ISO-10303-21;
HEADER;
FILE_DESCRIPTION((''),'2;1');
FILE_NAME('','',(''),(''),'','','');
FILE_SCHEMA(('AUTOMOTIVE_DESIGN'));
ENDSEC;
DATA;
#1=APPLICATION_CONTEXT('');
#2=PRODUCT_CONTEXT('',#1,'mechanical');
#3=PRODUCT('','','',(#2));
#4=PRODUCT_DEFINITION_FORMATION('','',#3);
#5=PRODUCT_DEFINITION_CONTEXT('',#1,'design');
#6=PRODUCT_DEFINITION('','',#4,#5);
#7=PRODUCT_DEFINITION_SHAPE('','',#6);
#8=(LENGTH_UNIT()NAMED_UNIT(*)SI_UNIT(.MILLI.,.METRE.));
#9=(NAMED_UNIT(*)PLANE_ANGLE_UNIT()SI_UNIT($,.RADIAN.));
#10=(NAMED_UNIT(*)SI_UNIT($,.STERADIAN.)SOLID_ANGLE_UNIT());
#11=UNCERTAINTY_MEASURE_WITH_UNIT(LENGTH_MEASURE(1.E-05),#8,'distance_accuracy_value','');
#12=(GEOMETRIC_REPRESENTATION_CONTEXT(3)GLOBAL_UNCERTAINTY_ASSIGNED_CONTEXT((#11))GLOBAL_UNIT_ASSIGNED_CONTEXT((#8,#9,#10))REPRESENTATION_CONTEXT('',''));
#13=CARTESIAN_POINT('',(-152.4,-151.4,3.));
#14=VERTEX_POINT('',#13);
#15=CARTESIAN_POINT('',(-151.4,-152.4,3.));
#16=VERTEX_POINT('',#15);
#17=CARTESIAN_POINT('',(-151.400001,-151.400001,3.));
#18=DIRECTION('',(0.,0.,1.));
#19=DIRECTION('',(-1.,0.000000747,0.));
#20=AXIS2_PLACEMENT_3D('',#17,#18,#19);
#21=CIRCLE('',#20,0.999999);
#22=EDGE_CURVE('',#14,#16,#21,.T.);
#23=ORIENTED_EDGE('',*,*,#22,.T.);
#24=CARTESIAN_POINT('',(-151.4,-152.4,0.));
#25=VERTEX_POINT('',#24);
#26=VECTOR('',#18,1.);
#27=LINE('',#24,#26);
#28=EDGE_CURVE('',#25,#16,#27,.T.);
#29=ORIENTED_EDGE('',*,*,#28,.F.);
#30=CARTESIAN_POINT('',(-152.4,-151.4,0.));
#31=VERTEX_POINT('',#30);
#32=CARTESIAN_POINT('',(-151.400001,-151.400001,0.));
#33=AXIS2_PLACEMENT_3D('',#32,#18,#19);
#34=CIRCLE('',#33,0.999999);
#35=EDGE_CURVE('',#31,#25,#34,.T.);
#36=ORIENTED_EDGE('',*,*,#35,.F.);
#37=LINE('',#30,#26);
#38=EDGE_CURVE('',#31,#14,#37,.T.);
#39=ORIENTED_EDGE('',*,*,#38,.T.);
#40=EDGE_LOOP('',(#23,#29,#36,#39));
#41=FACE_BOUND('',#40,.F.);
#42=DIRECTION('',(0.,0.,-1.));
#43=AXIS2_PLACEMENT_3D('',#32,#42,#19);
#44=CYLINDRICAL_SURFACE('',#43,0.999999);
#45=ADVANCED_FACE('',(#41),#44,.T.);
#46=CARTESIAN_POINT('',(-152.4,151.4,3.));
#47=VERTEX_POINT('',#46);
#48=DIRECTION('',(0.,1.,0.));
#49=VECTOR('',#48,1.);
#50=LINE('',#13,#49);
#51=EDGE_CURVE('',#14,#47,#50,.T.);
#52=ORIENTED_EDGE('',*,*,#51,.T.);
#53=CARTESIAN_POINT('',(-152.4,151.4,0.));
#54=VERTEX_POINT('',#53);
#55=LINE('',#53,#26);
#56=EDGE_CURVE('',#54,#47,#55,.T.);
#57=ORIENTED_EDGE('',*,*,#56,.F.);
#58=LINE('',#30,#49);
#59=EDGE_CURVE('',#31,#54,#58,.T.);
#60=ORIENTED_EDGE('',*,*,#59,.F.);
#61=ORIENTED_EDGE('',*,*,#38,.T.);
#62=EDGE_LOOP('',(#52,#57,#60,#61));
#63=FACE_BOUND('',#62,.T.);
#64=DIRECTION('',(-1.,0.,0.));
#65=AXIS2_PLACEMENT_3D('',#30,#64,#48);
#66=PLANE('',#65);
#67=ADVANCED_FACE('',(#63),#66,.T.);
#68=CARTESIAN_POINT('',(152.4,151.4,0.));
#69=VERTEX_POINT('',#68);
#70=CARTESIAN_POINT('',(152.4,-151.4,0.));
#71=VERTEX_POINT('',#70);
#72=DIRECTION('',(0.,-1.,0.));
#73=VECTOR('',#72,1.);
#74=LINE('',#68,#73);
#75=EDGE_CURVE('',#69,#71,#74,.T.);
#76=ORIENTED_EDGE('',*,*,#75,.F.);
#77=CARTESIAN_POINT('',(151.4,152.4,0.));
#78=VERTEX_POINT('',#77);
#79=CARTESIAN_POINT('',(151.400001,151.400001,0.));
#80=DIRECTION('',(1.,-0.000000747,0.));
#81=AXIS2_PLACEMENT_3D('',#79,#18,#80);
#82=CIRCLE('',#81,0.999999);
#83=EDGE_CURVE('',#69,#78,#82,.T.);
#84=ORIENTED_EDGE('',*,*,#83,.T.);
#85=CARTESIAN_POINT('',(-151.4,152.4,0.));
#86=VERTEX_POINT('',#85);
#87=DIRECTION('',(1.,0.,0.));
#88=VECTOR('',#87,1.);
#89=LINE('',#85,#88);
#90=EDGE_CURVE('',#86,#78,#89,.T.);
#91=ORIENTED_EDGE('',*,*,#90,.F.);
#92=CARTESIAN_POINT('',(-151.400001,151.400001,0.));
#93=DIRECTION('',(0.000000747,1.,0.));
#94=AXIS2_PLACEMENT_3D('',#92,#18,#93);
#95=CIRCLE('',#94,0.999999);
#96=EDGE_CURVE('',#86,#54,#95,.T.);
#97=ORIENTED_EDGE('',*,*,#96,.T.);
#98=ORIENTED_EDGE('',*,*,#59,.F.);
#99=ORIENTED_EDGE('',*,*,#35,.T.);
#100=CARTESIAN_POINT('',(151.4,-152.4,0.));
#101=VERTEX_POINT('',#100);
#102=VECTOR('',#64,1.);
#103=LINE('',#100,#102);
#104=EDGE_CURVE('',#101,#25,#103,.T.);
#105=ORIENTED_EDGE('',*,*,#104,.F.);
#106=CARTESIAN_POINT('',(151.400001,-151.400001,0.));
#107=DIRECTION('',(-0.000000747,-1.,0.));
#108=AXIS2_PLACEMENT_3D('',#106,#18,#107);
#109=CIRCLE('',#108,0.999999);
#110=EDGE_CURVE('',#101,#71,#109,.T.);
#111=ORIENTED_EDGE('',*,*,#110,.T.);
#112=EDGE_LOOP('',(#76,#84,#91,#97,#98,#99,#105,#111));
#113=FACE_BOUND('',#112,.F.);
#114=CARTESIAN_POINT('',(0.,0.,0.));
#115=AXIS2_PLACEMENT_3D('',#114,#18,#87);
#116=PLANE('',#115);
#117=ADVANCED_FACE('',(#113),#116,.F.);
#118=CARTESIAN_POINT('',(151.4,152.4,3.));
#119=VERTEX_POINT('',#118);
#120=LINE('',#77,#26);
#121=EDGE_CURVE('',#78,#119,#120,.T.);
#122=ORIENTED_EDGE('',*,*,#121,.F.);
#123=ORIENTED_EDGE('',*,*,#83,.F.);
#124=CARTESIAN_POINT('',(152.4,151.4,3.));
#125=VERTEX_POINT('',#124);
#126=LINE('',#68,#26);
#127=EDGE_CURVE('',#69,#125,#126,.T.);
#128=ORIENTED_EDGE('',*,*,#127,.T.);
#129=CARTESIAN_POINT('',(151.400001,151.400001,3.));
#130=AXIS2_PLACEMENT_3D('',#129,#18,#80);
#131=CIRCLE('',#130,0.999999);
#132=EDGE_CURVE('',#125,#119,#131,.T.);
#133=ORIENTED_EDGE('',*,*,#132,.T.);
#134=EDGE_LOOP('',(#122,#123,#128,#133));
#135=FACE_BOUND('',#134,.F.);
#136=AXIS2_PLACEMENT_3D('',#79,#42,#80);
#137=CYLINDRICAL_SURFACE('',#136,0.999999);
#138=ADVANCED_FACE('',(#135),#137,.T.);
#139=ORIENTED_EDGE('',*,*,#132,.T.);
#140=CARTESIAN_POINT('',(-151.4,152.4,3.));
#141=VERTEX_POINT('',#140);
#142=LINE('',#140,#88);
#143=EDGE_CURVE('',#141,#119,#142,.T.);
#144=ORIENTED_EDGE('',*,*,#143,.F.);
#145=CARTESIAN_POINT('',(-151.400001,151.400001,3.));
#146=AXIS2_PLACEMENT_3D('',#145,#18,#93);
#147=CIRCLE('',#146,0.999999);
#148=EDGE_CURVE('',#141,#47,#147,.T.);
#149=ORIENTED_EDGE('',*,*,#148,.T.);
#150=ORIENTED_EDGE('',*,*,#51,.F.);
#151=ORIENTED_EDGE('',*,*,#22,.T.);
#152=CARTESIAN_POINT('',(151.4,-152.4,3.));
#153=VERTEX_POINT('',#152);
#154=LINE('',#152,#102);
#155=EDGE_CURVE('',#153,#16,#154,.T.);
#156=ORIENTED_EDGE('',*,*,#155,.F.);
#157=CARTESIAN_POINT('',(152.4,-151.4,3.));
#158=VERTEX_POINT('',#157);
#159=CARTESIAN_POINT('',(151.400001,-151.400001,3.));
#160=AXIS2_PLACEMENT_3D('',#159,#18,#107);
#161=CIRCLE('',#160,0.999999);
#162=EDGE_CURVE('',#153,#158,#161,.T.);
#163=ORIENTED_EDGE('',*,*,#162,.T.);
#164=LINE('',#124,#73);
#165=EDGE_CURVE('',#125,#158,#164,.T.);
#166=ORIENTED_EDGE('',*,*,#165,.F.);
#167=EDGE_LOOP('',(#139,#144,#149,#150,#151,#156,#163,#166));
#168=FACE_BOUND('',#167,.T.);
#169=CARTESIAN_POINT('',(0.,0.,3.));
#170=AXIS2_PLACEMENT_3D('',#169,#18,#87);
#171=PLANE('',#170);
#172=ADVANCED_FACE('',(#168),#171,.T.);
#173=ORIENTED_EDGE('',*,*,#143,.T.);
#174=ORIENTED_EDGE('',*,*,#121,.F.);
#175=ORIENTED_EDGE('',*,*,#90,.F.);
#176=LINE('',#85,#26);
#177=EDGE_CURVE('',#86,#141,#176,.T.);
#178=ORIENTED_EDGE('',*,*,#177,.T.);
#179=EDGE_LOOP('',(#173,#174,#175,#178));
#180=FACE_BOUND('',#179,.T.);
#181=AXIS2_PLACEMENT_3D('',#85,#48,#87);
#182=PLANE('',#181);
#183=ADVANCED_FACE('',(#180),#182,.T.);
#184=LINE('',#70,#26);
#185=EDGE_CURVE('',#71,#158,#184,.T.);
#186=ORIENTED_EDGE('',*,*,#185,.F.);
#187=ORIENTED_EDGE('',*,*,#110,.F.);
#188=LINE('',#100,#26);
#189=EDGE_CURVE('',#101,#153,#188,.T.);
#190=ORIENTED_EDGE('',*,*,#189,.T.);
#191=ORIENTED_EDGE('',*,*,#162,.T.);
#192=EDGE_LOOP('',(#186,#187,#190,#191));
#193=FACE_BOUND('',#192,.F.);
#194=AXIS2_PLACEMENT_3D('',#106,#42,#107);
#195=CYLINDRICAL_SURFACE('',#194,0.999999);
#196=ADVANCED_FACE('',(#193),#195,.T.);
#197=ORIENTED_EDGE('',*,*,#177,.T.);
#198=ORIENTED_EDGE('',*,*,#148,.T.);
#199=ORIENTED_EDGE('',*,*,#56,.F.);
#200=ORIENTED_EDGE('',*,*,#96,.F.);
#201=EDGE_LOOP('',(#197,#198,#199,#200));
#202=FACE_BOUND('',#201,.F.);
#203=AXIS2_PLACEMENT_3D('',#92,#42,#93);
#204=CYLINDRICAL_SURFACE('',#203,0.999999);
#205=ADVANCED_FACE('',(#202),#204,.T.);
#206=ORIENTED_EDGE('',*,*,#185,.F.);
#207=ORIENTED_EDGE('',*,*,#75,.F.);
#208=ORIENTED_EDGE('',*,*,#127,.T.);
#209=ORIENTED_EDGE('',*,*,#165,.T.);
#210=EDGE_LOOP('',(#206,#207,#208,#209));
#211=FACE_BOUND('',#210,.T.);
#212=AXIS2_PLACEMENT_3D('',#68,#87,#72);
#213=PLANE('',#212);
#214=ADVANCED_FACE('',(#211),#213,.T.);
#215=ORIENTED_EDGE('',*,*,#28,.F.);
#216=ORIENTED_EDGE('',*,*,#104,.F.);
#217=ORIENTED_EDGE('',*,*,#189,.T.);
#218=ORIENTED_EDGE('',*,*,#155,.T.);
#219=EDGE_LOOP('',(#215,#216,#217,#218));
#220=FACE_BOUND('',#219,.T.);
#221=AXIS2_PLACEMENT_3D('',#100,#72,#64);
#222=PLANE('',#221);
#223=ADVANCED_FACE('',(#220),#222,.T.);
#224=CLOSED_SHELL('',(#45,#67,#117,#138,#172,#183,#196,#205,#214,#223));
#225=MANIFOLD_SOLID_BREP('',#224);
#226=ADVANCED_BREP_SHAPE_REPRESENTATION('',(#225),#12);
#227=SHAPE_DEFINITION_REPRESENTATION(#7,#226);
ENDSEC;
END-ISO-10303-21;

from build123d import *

# Parameters (mm, degrees)
PAD_DEPTH = 3


with BuildPart() as part:
    # Sketch → Pad (new body)
    with BuildSketch(Plane.XY):
        with BuildLine():
            ThreePointArc((-151.4, 152.4), (-152.107107, 152.107107), (-152.4, 151.4))
            Line((-152.4, -151.4), (-152.4, 151.4))
            ThreePointArc((-152.4, -151.4), (-152.107107, -152.107107), (-151.4, -152.4))
            Line((151.4, -152.4), (-151.4, -152.4))
            ThreePointArc((151.4, -152.4), (152.107107, -152.107107), (152.4, -151.4))
            Line((152.4, 151.4), (152.4, -151.4))
            ThreePointArc((152.4, 151.4), (152.107107, 152.107107), (151.4, 152.4))
            Line((-151.4, 152.4), (151.4, 152.4))
        make_face()
    extrude(amount=PAD_DEPTH)


solid = part.part
